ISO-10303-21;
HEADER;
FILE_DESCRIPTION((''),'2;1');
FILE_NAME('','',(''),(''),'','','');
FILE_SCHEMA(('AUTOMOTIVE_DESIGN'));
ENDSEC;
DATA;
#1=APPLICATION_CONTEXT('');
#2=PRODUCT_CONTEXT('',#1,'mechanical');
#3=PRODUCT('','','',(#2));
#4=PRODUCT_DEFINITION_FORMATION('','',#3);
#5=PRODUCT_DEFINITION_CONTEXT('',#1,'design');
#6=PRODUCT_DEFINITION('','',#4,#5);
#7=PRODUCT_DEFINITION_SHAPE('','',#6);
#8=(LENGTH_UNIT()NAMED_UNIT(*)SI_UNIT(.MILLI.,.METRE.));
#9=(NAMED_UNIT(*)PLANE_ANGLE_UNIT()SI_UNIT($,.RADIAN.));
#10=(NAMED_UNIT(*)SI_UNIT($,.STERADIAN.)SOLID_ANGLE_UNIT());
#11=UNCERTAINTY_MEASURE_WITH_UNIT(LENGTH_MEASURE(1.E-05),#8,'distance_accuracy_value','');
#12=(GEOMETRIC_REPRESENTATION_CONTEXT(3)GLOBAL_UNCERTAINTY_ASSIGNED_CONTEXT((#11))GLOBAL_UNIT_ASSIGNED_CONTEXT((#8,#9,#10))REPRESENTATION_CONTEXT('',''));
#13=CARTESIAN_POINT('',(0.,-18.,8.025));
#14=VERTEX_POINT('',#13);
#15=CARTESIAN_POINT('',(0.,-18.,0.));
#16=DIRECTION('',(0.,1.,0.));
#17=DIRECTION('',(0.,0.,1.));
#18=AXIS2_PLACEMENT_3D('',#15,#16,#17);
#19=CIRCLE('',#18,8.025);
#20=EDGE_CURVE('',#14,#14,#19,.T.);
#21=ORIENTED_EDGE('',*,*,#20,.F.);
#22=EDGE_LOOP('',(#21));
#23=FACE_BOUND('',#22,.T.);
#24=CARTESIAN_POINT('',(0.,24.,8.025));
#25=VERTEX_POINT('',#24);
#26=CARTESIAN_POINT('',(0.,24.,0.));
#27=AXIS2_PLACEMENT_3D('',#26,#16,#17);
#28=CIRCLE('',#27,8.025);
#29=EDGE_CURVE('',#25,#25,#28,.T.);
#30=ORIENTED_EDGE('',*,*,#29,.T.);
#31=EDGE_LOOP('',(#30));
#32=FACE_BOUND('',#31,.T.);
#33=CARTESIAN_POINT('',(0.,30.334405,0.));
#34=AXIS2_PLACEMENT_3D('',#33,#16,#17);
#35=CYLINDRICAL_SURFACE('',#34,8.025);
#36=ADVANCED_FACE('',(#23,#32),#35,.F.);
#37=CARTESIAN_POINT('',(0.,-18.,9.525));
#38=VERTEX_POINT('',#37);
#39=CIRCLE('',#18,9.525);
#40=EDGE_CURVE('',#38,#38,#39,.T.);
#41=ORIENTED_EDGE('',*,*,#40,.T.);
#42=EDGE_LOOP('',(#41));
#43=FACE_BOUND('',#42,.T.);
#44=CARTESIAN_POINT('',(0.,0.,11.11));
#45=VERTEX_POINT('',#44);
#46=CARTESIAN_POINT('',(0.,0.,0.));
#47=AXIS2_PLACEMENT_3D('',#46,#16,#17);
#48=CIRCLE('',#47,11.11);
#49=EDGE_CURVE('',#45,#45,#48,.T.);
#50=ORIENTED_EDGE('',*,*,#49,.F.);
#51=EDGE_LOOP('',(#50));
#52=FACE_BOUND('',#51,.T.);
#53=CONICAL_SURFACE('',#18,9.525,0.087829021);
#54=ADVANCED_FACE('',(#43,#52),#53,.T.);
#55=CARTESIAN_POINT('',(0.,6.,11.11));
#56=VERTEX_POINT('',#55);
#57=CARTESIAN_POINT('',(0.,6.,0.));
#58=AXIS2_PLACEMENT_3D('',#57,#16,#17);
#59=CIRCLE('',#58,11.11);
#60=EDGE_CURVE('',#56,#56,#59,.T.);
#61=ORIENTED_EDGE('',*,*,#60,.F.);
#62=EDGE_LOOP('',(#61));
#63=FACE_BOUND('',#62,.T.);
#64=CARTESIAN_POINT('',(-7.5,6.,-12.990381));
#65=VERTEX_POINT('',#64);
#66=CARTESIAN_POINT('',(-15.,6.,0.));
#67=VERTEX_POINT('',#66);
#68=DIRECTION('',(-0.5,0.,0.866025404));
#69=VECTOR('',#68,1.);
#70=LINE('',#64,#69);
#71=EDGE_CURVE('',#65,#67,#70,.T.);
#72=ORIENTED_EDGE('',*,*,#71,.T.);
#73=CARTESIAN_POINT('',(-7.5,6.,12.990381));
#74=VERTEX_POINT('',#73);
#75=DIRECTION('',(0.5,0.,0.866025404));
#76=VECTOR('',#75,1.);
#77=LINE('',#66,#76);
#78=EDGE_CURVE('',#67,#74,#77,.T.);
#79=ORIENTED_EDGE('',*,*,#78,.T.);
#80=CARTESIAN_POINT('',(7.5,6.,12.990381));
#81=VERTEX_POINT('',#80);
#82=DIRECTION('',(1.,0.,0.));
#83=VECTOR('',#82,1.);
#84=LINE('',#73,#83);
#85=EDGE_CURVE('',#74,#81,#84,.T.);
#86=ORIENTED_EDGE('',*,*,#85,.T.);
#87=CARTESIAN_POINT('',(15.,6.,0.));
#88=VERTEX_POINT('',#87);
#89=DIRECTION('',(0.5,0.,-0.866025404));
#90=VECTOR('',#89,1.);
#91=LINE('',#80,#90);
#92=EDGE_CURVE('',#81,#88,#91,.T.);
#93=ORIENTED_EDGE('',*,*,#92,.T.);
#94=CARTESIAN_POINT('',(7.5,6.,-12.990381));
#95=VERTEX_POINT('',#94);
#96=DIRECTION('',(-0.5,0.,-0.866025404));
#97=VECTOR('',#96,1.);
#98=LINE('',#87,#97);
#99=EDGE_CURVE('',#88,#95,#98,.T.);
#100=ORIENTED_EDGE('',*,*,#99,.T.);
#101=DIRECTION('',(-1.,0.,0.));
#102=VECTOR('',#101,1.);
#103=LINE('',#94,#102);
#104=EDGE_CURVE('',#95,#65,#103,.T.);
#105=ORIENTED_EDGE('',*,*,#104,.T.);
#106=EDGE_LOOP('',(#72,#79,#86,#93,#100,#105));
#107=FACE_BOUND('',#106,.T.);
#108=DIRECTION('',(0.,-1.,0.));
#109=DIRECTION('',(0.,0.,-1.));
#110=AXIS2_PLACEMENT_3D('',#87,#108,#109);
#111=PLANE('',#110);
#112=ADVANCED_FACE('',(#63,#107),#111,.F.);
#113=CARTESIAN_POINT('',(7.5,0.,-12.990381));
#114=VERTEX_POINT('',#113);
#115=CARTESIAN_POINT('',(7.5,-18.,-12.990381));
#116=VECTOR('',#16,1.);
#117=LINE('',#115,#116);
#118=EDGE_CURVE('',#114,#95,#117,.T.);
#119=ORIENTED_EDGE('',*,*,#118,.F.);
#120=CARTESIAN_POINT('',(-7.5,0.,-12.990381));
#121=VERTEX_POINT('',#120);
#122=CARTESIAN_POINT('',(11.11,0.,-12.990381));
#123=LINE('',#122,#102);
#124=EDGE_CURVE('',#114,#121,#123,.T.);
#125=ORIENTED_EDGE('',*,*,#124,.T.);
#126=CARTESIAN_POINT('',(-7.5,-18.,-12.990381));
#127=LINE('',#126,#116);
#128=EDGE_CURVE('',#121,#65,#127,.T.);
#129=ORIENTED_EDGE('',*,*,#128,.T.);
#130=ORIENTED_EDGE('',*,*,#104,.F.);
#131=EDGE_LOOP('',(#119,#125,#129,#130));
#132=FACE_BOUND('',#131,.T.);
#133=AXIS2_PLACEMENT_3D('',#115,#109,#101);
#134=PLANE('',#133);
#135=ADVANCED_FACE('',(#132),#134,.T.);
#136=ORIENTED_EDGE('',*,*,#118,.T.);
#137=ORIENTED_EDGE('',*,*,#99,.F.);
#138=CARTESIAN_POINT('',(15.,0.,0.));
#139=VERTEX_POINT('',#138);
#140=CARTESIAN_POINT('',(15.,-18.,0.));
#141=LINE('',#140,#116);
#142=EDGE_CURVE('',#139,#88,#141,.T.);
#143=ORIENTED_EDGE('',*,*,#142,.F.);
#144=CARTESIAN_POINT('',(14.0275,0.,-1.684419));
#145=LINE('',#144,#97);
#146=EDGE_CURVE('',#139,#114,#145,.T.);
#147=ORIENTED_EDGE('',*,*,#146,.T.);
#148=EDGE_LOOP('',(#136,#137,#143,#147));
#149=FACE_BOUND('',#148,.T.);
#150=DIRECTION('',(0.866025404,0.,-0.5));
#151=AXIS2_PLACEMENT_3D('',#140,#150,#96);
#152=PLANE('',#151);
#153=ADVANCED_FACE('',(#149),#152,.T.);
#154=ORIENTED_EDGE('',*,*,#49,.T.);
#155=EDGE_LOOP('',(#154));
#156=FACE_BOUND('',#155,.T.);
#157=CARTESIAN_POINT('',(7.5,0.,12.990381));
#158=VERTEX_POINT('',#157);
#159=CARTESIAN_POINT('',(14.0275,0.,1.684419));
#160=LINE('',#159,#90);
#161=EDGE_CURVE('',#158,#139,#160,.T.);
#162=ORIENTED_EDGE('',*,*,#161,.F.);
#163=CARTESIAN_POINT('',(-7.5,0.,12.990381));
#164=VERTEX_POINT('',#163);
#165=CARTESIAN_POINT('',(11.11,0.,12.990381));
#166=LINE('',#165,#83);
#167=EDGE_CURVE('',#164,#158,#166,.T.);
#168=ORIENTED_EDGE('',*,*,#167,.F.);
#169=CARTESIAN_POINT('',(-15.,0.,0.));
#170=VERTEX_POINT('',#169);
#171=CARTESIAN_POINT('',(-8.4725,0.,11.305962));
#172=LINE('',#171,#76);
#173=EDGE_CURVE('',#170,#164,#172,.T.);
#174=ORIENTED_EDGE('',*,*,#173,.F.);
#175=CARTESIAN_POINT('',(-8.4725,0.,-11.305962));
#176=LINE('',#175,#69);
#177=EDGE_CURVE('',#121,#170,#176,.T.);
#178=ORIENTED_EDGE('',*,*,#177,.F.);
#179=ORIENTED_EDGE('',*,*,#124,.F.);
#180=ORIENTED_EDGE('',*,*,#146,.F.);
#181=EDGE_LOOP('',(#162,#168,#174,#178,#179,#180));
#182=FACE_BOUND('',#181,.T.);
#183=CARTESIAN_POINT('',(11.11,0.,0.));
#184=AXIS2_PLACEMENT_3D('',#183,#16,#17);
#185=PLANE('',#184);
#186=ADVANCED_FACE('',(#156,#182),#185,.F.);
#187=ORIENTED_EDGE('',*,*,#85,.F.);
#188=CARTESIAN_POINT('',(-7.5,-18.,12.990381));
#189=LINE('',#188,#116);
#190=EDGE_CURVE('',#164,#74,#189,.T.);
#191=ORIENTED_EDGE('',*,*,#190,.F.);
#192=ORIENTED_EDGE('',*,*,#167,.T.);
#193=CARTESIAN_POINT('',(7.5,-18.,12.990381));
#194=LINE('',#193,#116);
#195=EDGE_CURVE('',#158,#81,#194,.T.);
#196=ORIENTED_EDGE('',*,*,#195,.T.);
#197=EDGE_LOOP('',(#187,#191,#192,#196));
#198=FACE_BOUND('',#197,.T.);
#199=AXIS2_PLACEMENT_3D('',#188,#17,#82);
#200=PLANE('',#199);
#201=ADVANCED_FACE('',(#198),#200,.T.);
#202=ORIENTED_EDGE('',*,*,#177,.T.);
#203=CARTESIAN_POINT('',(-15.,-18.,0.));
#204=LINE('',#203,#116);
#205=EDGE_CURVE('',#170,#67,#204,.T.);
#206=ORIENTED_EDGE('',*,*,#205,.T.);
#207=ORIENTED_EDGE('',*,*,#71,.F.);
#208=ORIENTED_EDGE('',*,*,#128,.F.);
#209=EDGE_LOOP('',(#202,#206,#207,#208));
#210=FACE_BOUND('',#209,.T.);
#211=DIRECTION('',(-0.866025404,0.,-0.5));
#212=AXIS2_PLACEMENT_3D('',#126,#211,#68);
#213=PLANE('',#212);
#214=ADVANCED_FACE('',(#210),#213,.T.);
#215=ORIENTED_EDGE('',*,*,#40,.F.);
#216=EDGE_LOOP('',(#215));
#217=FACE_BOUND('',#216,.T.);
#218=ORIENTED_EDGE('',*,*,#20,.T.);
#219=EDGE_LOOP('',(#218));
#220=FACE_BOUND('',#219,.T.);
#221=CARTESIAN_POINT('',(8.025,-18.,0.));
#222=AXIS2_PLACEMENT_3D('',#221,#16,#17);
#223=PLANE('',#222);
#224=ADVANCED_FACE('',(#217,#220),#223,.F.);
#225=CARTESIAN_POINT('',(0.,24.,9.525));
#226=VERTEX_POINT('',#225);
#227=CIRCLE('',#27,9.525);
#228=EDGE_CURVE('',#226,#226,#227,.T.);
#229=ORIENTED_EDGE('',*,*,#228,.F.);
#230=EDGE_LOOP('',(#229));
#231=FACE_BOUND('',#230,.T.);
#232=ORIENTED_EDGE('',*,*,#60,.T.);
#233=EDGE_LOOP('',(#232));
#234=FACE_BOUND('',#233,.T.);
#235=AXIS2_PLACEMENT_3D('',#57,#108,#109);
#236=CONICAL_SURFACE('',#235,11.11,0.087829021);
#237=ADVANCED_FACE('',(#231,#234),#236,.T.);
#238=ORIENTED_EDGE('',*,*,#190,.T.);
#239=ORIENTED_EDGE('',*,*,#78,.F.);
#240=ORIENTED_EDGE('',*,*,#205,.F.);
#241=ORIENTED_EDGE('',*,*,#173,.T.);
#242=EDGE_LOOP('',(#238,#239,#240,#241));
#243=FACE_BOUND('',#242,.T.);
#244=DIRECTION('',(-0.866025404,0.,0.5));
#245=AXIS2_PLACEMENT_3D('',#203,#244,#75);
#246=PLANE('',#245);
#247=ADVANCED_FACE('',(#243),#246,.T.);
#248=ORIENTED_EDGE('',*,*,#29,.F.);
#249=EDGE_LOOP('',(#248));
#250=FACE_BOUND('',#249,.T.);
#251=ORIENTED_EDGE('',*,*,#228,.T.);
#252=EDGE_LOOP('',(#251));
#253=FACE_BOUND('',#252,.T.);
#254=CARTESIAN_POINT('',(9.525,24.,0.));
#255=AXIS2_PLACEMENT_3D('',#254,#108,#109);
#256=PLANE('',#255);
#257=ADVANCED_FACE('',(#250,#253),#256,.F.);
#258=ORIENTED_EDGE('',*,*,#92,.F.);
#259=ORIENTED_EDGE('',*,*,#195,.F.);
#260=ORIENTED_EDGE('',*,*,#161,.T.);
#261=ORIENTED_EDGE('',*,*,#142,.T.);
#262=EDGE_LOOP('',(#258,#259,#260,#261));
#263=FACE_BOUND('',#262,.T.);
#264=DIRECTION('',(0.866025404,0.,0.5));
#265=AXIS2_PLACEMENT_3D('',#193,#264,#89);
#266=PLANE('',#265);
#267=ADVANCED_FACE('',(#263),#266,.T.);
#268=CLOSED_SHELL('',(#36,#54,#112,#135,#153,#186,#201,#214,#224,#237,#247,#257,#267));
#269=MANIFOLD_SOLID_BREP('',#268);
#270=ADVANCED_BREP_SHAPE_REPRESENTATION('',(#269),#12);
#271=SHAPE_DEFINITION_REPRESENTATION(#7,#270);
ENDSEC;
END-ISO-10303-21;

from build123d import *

# Parameters (mm, degrees)
CROQUIS2_OUTSIDE_W    = 43.94
CROQUIS2_OUTSIDE_H    = 43.94
CORTAR_EXTRUIR1_DEPTH = 25


with BuildPart() as part:
    # Croquis1 → Revolución1 (revolve)
    with BuildSketch(Plane.XY):
        Polygon((8.025, 24), (8.025, -18), (9.525, -18), (11.11, 0), (15, 0), (15, 6), (11.11, 6), (9.525, 24), align=None)
    revolve(axis=Axis((0, 30.334405112, 0), (0, -1, 0)))

    # Croquis2 outside → Cortar-Extruir1 (cut, through all)
    with BuildSketch(Plane(origin=(0, 6, 0), x_dir=(1, 0, 0), z_dir=(0, 1, 0))):
        Rectangle(CROQUIS2_OUTSIDE_W, CROQUIS2_OUTSIDE_H)
        Polygon((15, 0), (7.5, 12.990381057), (-7.5, 12.990381057), (-15, 0), (-7.5, -12.990381057), (7.5, -12.990381057), align=None, mode=Mode.SUBTRACT)
    extrude(amount=-CORTAR_EXTRUIR1_DEPTH, mode=Mode.SUBTRACT)


solid = part.part
